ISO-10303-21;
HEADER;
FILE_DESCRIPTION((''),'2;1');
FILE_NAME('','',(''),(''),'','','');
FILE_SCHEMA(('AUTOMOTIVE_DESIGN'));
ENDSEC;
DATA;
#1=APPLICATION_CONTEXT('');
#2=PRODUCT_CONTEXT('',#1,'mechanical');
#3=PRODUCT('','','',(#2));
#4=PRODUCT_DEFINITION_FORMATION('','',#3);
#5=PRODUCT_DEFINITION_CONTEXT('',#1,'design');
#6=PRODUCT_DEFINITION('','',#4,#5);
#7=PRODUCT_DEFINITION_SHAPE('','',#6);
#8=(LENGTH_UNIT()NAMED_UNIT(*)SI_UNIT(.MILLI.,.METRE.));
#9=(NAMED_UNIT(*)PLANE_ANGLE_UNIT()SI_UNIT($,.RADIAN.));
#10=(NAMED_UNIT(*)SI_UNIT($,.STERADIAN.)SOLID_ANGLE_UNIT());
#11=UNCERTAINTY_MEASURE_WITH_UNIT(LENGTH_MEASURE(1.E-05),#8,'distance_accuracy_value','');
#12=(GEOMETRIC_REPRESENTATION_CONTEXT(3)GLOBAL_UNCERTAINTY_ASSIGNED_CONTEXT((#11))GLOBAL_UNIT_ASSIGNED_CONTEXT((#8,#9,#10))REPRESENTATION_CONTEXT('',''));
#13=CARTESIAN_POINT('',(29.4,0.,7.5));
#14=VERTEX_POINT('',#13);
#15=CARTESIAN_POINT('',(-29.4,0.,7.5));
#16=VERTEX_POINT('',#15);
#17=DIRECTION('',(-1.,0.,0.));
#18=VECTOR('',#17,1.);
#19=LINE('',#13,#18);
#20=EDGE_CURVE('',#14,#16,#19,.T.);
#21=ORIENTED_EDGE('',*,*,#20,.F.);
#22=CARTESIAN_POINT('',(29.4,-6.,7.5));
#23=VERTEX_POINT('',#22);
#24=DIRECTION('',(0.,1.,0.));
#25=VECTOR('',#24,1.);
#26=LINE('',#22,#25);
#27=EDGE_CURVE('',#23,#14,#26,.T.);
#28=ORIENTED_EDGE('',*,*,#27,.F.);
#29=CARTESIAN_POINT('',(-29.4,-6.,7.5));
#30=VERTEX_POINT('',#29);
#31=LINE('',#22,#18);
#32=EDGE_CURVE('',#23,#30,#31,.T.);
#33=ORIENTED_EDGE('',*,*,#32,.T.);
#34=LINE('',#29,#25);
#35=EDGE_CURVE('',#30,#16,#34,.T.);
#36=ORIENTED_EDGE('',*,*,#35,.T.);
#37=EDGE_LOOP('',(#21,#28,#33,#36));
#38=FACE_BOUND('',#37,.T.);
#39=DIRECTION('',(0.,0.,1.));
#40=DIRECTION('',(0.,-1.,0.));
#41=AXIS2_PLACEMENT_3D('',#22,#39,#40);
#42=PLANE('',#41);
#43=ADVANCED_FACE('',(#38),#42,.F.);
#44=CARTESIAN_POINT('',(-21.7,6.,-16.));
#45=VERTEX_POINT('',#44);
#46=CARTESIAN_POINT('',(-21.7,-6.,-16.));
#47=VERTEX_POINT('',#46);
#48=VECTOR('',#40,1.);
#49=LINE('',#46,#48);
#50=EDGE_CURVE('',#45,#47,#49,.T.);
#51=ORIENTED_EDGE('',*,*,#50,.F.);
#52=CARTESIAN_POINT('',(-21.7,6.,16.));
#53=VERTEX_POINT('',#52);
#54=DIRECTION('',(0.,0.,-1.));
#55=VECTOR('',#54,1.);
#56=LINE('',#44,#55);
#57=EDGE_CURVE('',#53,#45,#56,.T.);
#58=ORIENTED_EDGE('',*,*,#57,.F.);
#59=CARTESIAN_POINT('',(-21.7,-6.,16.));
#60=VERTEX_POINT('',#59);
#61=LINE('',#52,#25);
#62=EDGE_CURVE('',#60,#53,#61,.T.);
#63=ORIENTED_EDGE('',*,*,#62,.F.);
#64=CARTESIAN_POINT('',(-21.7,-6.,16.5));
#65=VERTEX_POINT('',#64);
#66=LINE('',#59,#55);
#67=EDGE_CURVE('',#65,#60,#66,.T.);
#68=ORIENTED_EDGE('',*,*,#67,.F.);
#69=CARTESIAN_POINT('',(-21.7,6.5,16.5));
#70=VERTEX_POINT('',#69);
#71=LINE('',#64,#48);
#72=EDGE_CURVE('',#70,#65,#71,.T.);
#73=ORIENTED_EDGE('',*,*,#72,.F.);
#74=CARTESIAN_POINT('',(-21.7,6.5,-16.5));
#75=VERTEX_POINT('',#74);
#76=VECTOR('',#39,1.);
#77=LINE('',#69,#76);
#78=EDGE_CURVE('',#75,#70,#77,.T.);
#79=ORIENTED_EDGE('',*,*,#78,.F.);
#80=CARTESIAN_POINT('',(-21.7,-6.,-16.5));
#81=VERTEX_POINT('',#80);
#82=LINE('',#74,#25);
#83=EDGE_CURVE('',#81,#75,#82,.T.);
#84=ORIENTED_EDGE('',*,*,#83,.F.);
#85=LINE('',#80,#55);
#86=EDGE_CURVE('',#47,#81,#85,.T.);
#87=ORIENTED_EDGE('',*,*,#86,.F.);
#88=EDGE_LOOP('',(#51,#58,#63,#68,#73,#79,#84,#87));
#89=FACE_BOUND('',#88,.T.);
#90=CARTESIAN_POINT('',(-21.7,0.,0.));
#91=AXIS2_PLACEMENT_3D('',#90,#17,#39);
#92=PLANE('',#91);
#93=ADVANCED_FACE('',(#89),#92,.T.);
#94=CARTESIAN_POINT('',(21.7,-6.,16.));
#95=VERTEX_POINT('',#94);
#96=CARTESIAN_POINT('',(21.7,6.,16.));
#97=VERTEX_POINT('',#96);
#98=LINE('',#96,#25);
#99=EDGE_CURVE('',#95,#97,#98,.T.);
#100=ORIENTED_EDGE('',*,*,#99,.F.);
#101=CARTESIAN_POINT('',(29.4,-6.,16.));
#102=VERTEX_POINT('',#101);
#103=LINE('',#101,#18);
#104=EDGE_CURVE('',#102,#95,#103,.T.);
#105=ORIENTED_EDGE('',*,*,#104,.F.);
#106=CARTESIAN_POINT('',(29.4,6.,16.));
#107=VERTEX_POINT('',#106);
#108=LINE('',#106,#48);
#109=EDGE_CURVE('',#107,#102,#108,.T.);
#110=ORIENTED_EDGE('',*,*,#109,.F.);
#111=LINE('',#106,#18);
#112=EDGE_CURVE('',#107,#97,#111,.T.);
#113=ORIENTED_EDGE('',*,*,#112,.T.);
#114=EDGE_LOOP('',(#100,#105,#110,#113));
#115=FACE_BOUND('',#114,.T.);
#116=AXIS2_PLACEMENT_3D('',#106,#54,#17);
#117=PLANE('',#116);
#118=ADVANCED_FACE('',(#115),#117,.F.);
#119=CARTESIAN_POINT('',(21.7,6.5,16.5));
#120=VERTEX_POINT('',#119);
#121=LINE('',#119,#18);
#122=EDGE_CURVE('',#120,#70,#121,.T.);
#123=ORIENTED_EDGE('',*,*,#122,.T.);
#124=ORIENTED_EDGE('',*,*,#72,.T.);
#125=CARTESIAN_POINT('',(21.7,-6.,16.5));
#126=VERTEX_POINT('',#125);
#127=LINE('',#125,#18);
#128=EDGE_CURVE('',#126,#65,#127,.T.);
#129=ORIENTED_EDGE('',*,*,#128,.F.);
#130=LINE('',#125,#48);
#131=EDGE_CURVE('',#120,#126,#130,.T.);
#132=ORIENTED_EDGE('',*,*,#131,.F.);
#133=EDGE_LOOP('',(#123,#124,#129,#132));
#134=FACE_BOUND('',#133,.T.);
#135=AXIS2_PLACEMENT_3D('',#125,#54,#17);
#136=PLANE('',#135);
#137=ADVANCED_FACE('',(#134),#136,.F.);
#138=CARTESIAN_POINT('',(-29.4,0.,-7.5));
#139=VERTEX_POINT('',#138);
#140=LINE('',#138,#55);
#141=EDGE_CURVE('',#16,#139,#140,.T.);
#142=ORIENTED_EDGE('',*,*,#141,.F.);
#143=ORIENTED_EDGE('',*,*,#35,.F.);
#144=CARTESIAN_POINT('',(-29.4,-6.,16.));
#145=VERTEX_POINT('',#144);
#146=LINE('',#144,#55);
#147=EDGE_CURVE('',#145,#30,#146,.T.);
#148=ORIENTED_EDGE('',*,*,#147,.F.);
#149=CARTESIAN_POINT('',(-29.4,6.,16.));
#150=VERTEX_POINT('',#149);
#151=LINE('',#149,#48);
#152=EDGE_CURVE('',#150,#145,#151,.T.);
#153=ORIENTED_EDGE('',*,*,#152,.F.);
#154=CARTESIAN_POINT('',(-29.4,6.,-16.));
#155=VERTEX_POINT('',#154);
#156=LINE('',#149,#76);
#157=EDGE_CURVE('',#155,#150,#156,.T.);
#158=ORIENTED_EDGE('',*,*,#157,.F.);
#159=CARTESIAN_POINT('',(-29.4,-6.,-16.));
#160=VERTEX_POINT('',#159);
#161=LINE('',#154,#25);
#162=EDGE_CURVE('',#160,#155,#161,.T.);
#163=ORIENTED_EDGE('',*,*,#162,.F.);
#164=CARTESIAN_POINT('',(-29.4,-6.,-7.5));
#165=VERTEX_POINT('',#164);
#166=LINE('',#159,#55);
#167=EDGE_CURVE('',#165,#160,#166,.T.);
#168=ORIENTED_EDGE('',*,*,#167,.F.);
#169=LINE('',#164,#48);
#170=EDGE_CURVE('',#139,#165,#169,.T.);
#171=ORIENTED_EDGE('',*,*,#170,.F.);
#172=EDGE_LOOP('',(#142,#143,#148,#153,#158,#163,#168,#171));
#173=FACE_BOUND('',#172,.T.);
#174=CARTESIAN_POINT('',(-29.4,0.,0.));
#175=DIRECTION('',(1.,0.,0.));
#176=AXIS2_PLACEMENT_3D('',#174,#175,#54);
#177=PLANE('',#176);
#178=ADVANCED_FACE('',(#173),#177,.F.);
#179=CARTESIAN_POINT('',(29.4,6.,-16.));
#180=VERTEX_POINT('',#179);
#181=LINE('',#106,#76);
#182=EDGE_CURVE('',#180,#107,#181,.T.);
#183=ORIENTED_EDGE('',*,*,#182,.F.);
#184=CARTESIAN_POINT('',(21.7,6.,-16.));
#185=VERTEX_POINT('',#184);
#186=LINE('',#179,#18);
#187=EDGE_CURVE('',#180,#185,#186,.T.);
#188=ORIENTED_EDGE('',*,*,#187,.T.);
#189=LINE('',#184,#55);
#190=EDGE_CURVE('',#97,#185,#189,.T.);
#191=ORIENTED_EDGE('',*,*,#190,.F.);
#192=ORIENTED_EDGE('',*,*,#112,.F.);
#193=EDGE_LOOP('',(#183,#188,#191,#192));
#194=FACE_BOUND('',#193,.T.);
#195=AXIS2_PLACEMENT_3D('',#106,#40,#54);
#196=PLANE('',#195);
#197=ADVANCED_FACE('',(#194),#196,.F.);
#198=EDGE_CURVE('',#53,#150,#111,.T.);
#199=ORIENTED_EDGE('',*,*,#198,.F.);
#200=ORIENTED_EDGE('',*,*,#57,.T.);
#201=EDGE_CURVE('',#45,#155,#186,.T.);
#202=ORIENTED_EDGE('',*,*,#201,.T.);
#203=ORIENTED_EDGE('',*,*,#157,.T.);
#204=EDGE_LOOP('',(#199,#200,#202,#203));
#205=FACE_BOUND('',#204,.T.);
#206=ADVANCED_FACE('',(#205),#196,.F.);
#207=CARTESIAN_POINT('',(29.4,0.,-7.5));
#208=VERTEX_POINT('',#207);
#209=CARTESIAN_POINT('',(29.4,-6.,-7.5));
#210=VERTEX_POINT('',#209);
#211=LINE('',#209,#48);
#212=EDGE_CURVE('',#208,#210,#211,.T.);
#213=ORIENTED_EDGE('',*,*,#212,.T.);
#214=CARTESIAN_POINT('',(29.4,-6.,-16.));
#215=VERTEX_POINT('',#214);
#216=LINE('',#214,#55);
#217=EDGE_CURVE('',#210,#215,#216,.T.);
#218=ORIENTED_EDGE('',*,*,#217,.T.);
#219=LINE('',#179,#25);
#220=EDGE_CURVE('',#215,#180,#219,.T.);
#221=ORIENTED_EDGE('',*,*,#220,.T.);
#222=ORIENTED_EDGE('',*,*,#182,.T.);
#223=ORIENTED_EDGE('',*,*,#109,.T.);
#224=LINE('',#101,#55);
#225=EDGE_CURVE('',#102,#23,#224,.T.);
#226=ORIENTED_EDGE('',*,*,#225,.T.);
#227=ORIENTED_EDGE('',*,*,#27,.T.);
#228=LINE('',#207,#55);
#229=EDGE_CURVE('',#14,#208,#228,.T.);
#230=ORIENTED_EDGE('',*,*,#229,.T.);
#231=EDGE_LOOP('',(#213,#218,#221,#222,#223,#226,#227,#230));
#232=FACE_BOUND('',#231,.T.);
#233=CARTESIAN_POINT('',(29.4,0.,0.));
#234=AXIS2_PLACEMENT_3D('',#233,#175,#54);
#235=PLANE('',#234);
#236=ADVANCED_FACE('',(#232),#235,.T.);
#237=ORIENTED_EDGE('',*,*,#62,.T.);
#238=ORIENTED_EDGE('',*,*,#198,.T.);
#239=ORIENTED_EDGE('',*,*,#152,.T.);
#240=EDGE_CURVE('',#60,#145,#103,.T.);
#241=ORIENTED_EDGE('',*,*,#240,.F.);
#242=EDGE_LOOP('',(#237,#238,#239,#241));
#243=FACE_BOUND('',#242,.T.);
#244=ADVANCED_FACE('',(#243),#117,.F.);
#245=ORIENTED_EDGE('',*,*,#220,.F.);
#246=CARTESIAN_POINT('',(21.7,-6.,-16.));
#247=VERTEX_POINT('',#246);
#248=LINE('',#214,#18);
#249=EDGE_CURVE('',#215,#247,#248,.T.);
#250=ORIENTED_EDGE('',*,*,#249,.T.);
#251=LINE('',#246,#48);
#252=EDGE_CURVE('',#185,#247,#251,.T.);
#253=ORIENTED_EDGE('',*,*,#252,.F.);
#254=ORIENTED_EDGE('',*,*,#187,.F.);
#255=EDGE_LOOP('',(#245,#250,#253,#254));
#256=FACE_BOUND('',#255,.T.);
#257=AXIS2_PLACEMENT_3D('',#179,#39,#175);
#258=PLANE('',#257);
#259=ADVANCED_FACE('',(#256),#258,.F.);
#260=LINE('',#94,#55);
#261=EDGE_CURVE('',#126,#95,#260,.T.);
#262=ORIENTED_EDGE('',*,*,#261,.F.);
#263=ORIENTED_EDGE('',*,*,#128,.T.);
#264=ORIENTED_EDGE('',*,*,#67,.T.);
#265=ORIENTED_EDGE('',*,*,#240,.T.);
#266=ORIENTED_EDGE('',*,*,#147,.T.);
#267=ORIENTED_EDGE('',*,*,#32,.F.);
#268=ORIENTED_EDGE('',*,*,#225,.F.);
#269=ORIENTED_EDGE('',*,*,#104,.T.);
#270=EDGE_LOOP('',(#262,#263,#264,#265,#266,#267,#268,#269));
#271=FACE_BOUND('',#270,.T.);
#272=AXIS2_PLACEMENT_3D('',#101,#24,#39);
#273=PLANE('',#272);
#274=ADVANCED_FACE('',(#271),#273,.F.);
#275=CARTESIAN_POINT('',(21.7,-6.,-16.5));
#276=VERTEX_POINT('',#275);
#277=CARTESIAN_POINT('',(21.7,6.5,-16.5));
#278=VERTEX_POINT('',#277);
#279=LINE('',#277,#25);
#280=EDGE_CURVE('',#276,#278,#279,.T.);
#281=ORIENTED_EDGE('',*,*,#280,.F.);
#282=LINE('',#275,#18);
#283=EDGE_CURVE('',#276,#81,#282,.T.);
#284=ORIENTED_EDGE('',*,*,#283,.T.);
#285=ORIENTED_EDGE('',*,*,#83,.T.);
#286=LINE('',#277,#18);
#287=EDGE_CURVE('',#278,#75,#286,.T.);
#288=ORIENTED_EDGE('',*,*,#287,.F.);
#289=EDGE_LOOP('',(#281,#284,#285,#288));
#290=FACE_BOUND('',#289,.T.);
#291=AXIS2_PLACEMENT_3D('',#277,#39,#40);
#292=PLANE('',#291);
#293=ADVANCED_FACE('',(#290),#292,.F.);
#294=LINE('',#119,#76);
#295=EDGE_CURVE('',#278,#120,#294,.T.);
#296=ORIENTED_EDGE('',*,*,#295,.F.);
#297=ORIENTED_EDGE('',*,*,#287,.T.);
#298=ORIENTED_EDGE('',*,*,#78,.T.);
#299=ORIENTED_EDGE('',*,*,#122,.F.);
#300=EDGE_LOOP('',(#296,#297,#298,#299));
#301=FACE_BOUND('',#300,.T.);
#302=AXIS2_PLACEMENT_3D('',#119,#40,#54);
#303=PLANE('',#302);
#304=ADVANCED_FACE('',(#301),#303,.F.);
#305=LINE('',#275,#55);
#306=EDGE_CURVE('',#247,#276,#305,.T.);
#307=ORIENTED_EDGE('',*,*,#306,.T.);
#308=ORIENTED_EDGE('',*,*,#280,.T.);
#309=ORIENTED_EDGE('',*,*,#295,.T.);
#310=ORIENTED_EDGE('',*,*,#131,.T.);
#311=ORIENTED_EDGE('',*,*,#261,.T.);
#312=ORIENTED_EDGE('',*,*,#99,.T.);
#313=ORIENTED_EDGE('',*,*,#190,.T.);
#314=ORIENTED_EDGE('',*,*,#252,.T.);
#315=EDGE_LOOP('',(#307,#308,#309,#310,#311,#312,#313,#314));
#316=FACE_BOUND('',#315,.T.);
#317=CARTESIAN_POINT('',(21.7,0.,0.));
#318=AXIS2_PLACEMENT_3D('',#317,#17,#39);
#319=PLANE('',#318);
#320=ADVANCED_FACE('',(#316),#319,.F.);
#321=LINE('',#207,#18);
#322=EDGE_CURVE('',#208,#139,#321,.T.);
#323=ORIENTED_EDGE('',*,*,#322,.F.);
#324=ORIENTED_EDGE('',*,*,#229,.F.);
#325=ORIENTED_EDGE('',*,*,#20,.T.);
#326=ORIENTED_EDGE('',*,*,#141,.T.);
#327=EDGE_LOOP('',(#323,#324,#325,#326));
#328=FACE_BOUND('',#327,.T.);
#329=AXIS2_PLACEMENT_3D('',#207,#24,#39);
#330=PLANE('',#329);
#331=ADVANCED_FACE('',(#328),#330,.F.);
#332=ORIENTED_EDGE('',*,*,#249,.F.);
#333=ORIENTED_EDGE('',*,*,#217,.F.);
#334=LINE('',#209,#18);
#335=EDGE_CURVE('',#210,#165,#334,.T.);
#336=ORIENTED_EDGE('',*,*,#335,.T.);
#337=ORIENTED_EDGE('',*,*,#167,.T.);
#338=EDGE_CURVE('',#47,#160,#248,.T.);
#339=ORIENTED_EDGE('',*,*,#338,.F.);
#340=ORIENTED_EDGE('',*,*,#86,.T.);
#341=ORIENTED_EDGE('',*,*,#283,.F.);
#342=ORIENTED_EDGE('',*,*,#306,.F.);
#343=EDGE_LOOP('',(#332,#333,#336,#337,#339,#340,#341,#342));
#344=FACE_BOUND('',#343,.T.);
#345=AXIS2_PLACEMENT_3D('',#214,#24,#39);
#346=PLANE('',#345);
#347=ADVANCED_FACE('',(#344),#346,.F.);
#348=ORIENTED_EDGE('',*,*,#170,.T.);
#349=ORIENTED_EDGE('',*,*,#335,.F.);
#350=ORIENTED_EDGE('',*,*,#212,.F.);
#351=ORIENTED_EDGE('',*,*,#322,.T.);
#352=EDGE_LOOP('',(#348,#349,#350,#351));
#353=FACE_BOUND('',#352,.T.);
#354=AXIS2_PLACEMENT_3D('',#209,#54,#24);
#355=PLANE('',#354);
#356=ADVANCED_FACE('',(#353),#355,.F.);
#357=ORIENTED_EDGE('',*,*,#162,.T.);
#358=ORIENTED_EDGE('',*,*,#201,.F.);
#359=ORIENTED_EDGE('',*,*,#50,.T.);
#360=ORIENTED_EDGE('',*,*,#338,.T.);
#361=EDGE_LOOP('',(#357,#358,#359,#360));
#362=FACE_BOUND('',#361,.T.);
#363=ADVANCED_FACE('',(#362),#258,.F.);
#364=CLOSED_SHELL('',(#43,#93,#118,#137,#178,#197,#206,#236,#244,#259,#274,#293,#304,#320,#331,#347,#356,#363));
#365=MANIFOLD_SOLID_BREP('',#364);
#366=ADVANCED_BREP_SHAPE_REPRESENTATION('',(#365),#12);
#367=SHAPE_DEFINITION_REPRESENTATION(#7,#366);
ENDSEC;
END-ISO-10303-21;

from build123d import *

# Parameters (mm, degrees)
BOSS_EXTRUDE1_DEPTH = 29.4
BOSS_EXTRUDE2_DEPTH = 21.7


with BuildPart() as part:
    # Sketch1 → Boss-Extrude1 (new, symmetric)
    with BuildSketch(Plane(origin=(0, 0, 0), x_dir=(0, 0, -1), z_dir=(1, 0, 0))):
        Polygon((-16, 6), (16, 6), (16, -6), (7.5, -6), (7.5, 0), (-7.5, 0), (-7.5, -6), (-16, -6), align=None)
    extrude(amount=BOSS_EXTRUDE1_DEPTH, both=True)

    # Sketch2 → Boss-Extrude2 (add, symmetric)
    with BuildSketch(Plane(origin=(0, 0, 0), x_dir=(0, 0, -1), z_dir=(1, 0, 0))):
        Polygon((-16, -6), (-16.5, -6), (-16.5, 6.5), (16.5, 6.5), (16.5, -6), (16, -6), (16, 6), (-16, 6), align=None)
    extrude(amount=BOSS_EXTRUDE2_DEPTH, both=True)


solid = part.part
